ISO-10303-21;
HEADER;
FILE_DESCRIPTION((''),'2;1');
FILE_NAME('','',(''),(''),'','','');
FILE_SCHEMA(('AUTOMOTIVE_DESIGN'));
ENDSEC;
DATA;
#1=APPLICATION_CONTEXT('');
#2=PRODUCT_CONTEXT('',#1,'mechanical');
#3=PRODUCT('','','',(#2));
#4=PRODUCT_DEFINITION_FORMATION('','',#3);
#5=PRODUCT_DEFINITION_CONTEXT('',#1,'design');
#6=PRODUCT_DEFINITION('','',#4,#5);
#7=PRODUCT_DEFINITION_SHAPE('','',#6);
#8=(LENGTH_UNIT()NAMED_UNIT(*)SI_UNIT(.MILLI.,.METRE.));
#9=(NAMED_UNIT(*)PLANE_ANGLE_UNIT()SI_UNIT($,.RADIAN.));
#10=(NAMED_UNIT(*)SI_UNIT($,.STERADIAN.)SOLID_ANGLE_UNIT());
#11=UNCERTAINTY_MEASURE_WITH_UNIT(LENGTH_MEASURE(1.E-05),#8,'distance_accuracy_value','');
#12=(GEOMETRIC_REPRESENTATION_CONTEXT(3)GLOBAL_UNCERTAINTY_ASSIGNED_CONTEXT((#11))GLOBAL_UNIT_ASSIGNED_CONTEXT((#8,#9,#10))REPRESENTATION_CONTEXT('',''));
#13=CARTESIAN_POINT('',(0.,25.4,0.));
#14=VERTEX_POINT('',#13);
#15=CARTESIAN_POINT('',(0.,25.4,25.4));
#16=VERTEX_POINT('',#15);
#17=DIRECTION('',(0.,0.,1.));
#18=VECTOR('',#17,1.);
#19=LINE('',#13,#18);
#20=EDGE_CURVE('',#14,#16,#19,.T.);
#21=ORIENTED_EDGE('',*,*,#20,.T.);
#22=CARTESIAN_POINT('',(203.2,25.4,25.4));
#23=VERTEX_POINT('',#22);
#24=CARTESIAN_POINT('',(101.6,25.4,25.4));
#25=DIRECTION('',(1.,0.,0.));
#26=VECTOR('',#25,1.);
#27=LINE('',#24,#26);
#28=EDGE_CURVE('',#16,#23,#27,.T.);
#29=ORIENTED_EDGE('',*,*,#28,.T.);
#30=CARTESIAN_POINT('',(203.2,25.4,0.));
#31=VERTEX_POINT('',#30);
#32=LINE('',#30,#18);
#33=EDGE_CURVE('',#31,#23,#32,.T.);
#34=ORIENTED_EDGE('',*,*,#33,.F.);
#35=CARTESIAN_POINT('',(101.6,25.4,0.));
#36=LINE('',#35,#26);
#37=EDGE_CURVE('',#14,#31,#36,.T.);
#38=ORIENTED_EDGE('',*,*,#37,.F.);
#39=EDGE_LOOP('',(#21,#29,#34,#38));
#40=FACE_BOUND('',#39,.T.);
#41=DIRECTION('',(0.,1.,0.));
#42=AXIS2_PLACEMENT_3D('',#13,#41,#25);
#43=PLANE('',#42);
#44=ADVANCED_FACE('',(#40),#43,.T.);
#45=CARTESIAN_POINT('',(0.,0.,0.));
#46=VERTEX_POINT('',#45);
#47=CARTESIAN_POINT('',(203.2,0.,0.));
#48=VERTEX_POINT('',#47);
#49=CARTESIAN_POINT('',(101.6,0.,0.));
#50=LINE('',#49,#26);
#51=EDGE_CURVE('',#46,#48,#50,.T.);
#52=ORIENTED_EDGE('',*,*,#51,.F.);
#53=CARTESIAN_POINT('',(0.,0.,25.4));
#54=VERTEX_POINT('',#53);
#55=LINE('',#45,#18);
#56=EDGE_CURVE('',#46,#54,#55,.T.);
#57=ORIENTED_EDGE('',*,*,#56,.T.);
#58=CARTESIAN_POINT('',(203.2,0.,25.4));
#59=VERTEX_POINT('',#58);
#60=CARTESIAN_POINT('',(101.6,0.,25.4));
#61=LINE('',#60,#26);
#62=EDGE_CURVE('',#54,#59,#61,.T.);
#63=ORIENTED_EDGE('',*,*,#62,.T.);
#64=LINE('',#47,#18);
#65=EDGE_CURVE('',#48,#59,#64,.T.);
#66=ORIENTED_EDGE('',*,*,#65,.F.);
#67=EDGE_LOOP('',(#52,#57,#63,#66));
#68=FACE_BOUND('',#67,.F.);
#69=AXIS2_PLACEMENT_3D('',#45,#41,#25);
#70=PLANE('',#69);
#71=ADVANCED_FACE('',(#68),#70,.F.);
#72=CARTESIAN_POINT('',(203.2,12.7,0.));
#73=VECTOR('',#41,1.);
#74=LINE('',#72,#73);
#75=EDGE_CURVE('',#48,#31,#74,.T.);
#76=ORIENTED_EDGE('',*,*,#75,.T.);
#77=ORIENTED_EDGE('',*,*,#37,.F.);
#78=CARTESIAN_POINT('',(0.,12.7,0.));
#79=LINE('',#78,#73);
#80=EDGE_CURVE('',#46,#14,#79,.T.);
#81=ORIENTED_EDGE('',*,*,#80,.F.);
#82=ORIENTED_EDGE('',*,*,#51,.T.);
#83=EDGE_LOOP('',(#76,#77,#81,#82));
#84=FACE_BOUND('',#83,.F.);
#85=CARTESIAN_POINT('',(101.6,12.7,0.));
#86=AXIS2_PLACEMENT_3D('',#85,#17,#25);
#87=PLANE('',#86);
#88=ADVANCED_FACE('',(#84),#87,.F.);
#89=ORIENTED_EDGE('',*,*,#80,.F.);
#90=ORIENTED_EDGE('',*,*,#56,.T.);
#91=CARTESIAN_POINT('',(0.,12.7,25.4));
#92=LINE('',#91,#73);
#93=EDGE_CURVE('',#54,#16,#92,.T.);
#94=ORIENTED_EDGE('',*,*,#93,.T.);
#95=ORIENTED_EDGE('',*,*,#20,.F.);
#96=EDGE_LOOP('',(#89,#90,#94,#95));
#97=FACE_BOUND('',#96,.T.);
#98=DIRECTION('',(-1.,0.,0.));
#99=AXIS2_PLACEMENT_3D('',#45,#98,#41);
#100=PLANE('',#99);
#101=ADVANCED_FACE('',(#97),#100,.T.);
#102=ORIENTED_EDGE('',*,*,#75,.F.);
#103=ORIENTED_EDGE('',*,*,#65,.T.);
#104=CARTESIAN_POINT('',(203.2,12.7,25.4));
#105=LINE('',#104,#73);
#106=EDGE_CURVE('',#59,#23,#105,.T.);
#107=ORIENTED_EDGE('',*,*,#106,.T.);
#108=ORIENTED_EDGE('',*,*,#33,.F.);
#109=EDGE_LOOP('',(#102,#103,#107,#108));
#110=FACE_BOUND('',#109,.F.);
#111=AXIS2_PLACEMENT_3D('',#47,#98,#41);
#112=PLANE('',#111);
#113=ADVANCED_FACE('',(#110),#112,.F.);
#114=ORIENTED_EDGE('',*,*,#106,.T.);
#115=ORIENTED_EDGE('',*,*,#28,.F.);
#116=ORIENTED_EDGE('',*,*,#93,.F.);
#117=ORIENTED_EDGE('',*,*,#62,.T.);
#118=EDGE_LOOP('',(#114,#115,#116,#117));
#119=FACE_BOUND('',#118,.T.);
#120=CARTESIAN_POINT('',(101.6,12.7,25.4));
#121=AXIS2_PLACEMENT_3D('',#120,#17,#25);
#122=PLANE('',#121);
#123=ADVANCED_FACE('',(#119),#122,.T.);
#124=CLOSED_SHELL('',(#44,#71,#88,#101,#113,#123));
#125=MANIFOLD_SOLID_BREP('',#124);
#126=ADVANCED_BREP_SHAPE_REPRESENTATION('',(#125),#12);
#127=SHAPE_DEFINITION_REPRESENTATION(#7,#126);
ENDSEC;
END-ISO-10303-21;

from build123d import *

# Parameters (mm, degrees)
BOX_W     = 203.2
BOX_H     = 25.4
BOX_DEPTH = 25.4


with BuildPart() as part:
    # Box → Box (new body)
    with BuildSketch(Plane.XY):
        with Locations((101.6, 12.7)):
            Rectangle(BOX_W, BOX_H)
    extrude(amount=BOX_DEPTH)


solid = part.part
